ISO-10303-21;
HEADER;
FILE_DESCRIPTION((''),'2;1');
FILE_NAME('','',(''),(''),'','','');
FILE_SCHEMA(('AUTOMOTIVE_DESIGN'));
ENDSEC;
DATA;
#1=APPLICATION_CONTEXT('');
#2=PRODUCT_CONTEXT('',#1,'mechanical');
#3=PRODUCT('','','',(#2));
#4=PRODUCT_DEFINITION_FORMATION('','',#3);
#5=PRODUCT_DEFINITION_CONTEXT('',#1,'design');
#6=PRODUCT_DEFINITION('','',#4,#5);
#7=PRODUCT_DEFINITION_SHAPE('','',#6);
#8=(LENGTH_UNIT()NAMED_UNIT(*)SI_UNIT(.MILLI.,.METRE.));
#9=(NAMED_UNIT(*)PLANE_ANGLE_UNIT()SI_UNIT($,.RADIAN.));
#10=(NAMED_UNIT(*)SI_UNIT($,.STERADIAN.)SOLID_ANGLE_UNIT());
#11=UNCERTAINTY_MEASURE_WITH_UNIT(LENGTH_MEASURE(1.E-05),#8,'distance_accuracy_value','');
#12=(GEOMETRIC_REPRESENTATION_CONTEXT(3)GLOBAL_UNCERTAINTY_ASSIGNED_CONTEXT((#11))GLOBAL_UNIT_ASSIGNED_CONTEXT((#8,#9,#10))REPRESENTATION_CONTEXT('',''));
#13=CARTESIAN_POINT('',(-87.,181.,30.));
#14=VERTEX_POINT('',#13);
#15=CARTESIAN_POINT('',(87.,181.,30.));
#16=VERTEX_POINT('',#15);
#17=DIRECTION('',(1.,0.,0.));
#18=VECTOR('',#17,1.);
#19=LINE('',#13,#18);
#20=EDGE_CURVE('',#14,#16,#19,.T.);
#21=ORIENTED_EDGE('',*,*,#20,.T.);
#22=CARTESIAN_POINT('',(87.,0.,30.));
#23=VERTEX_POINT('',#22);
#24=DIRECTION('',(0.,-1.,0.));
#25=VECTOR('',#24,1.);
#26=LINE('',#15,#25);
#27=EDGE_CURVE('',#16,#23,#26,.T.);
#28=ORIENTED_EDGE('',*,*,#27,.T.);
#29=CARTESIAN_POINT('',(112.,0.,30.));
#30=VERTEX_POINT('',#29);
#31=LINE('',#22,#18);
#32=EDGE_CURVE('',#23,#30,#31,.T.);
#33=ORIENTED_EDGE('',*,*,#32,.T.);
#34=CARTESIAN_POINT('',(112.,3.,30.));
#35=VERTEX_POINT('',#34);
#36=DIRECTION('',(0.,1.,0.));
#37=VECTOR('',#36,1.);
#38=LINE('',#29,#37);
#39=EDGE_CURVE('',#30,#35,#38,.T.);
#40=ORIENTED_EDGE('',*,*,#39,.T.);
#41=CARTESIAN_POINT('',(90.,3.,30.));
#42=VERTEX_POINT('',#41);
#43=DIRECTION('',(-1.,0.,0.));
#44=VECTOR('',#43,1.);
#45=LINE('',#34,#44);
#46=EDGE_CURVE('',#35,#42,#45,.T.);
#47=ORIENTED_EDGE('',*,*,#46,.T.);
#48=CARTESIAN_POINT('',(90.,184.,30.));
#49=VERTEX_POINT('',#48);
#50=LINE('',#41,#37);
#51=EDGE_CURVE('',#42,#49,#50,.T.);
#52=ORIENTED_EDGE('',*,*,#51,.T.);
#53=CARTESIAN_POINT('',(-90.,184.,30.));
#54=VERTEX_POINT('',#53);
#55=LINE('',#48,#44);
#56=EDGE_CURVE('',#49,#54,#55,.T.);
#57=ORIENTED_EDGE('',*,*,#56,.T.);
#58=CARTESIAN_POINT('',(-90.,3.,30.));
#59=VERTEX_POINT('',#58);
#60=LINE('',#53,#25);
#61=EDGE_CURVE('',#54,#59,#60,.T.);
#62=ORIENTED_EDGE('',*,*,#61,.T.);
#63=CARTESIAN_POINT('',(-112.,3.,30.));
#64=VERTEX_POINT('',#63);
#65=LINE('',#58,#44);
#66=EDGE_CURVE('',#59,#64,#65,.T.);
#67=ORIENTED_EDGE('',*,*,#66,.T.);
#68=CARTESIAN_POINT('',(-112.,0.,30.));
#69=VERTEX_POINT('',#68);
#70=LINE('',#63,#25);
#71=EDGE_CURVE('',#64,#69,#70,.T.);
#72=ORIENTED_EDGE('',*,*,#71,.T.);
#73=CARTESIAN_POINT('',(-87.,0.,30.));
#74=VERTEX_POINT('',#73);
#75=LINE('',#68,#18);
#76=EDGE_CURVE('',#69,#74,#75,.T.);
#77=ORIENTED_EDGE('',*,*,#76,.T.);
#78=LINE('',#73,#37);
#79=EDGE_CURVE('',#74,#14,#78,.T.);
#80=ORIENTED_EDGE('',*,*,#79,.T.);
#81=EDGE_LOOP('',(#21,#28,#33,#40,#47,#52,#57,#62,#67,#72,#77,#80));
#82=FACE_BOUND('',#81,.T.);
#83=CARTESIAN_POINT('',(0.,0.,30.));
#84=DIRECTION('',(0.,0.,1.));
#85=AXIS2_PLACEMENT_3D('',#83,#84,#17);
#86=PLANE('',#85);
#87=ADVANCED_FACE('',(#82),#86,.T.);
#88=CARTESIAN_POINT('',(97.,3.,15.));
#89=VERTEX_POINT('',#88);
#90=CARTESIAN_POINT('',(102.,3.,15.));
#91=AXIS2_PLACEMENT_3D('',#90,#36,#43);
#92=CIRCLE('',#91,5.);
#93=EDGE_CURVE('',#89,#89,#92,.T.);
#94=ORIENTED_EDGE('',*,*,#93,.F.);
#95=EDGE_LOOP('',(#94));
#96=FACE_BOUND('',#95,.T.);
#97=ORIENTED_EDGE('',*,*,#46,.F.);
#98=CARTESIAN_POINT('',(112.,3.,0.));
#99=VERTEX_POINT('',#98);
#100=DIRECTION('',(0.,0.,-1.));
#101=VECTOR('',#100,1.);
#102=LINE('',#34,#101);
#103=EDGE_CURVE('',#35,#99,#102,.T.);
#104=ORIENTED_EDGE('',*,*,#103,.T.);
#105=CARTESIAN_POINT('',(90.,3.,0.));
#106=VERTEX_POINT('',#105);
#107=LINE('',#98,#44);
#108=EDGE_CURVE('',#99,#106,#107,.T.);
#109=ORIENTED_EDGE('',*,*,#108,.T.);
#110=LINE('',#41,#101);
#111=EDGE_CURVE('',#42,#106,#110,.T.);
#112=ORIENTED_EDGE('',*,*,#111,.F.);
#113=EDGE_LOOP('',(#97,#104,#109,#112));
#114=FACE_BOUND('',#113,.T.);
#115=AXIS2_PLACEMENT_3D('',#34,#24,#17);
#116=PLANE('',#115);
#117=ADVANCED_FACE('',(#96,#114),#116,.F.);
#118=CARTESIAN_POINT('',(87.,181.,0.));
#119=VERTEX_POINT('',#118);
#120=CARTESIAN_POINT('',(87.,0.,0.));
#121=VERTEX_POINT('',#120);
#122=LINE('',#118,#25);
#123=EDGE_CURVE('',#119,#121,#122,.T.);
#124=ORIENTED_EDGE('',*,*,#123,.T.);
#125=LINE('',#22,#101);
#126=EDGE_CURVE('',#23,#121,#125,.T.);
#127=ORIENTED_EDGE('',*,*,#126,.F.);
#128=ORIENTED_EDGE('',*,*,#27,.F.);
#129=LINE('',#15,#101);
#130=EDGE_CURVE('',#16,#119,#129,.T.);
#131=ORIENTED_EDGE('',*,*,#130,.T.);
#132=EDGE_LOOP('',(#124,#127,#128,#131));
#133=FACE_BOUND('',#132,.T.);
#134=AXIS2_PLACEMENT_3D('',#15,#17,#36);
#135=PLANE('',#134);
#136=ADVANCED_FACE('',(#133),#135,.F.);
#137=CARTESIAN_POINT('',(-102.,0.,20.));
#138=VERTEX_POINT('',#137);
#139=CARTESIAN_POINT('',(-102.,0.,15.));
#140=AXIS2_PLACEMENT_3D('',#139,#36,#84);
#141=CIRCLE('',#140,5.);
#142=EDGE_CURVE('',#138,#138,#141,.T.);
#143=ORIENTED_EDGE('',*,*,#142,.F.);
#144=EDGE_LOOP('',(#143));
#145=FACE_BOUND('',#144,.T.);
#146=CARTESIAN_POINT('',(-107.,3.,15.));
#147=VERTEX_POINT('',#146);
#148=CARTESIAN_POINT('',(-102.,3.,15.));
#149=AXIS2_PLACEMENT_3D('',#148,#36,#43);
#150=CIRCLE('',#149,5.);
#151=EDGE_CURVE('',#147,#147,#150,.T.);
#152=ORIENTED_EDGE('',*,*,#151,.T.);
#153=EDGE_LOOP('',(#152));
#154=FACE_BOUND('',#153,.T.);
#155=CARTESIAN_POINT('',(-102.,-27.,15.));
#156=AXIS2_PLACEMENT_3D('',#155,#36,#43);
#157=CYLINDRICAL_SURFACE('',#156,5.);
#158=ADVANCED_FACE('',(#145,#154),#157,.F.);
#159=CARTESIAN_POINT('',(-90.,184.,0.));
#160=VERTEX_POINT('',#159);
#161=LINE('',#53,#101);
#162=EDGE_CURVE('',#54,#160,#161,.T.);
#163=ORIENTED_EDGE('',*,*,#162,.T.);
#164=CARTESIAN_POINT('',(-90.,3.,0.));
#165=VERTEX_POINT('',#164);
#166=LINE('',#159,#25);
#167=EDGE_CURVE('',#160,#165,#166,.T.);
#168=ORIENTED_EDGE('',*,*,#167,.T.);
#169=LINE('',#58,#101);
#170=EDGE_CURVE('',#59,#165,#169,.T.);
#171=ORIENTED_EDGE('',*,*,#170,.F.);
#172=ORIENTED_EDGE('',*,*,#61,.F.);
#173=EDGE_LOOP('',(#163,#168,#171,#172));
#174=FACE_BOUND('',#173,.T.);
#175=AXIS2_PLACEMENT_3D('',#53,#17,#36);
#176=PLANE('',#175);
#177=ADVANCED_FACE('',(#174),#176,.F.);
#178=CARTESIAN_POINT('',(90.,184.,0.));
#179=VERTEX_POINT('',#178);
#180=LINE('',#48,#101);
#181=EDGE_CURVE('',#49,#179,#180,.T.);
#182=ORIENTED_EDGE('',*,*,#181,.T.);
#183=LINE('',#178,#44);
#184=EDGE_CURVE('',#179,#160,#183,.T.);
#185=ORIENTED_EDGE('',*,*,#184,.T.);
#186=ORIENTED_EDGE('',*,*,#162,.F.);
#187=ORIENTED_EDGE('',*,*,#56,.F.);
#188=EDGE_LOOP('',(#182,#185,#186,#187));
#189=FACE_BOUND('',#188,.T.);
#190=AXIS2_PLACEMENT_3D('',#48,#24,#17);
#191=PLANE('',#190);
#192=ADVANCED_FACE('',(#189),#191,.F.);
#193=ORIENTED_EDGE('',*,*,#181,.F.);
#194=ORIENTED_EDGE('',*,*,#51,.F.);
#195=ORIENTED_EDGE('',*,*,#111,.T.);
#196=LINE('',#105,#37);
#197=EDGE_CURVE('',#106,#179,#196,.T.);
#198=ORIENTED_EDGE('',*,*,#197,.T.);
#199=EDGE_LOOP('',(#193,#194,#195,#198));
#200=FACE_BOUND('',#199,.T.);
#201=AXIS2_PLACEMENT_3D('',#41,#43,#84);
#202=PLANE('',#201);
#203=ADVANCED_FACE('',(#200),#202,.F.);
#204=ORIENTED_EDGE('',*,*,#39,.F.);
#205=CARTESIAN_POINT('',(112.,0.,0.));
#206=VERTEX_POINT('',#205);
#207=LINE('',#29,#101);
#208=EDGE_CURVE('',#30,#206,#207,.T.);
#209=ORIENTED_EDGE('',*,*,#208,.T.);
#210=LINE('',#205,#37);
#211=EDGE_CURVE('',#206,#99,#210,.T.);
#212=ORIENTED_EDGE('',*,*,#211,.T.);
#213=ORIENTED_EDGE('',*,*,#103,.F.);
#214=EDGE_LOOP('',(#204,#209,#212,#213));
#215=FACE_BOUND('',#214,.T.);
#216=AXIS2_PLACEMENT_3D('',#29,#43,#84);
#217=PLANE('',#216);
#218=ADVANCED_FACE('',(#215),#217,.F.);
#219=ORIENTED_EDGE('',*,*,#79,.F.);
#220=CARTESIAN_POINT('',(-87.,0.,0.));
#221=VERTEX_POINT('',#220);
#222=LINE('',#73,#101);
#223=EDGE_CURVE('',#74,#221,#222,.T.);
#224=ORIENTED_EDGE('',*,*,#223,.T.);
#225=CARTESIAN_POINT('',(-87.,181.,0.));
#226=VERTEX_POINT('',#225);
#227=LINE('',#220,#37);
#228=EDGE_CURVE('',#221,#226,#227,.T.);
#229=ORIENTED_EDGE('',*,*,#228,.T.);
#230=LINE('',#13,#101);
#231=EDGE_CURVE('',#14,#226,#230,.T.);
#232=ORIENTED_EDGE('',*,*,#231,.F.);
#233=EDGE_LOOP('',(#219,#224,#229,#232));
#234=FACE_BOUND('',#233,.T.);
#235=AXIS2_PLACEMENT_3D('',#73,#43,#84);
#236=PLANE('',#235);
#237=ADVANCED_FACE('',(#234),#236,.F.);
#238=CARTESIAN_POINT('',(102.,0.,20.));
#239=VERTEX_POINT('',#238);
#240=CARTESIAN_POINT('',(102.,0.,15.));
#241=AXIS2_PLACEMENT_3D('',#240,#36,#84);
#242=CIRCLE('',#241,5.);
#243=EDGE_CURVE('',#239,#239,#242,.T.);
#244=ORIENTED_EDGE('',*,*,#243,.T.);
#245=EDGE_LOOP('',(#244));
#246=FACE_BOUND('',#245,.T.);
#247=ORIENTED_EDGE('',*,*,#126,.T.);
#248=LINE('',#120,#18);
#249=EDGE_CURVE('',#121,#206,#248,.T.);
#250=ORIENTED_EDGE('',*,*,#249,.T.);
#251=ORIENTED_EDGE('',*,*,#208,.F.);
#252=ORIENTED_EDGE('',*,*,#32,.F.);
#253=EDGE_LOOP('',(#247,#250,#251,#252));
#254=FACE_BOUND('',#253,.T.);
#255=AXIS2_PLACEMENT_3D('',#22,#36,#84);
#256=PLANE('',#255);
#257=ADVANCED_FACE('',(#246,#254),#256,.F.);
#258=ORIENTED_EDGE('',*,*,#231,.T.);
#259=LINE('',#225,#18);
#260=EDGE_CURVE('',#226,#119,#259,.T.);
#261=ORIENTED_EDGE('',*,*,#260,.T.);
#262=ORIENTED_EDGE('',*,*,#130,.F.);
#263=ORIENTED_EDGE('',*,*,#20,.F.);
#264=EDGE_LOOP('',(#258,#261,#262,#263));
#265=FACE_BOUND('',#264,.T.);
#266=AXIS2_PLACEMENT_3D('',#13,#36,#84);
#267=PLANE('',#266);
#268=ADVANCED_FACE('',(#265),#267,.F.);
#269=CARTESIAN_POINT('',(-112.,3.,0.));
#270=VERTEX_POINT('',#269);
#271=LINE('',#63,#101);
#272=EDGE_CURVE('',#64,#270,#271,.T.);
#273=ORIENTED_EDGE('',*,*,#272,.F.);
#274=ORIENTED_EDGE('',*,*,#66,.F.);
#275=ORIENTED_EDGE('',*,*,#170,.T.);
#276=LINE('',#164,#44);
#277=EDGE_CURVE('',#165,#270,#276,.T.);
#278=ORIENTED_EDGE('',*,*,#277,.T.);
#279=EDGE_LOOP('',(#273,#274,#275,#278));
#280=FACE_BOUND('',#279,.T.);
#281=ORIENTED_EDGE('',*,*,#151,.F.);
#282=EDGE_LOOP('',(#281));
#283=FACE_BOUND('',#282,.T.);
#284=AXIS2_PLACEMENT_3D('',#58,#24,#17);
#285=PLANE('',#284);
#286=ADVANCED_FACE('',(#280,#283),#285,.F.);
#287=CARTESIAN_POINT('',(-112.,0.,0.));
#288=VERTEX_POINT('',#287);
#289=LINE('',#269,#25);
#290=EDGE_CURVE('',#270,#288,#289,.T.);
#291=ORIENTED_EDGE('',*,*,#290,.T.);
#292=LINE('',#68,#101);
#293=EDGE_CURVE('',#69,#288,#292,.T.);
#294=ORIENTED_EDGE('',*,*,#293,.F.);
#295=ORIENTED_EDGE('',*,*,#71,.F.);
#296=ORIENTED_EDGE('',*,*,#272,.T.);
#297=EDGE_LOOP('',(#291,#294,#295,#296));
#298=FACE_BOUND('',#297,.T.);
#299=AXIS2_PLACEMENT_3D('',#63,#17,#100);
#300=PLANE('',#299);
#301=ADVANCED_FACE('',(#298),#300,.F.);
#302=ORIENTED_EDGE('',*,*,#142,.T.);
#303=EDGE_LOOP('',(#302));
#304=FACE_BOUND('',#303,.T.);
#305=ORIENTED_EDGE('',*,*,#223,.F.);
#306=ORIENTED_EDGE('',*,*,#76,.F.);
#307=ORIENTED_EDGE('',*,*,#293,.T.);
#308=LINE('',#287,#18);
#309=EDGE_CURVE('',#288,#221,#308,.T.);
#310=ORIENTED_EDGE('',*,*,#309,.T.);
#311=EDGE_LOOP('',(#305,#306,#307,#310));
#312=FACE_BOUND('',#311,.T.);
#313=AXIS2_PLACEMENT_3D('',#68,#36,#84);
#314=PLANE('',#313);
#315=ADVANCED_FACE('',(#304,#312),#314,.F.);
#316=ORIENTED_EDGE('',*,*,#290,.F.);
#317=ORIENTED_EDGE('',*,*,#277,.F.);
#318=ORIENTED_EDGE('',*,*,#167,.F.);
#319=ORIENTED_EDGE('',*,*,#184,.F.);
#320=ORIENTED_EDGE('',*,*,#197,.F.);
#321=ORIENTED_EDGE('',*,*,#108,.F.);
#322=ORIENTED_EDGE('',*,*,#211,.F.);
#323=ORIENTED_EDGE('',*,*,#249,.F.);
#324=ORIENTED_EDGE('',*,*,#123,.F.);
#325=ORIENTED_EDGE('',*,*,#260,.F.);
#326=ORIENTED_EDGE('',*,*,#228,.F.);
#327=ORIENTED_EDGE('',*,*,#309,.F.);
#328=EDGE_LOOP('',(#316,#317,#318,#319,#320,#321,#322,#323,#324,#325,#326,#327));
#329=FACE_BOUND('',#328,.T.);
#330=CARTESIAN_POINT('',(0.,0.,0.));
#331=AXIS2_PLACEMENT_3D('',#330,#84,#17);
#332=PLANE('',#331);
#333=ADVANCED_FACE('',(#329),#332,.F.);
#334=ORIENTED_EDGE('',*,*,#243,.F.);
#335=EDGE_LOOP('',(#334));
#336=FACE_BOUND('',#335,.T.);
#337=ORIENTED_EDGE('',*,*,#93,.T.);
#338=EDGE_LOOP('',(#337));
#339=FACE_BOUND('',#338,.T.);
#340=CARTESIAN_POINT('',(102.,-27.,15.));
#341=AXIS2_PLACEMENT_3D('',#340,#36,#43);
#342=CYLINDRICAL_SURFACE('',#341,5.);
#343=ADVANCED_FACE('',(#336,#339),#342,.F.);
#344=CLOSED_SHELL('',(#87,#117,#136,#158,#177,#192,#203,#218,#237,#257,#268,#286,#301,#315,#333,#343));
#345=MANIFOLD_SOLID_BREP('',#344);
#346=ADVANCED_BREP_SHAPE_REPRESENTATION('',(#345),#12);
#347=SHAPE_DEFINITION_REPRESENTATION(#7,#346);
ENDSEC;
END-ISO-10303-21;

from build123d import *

# Parameters (mm, degrees)
BOSS_EXTRUDE1_DEPTH = 30
SKETCH2_R           = 5
CUT_EXTRUDE1_DEPTH  = 30


with BuildPart() as part:
    # Sketch1 → Boss-Extrude1 (new body)
    with BuildSketch(Plane.XY):
        Polygon((-87, 0), (-87, 181), (87, 181), (87, 0), (112, 0), (112, 3), (90, 3), (90, 184), (-90, 184), (-90, 3), (-112, 3), (-112, 0), align=None)
    extrude(amount=BOSS_EXTRUDE1_DEPTH)

    # Sketch2 → Cut-Extrude1 (cut)
    with BuildSketch(Plane(origin=(0, 3, 0), x_dir=(1, 0, 0), z_dir=(0, 1, 0))):
        with Locations((-102, -15)):
            Circle(SKETCH2_R)
        with Locations((102, -15)):
            Circle(SKETCH2_R)
    extrude(amount=-CUT_EXTRUDE1_DEPTH, mode=Mode.SUBTRACT)


solid = part.part
